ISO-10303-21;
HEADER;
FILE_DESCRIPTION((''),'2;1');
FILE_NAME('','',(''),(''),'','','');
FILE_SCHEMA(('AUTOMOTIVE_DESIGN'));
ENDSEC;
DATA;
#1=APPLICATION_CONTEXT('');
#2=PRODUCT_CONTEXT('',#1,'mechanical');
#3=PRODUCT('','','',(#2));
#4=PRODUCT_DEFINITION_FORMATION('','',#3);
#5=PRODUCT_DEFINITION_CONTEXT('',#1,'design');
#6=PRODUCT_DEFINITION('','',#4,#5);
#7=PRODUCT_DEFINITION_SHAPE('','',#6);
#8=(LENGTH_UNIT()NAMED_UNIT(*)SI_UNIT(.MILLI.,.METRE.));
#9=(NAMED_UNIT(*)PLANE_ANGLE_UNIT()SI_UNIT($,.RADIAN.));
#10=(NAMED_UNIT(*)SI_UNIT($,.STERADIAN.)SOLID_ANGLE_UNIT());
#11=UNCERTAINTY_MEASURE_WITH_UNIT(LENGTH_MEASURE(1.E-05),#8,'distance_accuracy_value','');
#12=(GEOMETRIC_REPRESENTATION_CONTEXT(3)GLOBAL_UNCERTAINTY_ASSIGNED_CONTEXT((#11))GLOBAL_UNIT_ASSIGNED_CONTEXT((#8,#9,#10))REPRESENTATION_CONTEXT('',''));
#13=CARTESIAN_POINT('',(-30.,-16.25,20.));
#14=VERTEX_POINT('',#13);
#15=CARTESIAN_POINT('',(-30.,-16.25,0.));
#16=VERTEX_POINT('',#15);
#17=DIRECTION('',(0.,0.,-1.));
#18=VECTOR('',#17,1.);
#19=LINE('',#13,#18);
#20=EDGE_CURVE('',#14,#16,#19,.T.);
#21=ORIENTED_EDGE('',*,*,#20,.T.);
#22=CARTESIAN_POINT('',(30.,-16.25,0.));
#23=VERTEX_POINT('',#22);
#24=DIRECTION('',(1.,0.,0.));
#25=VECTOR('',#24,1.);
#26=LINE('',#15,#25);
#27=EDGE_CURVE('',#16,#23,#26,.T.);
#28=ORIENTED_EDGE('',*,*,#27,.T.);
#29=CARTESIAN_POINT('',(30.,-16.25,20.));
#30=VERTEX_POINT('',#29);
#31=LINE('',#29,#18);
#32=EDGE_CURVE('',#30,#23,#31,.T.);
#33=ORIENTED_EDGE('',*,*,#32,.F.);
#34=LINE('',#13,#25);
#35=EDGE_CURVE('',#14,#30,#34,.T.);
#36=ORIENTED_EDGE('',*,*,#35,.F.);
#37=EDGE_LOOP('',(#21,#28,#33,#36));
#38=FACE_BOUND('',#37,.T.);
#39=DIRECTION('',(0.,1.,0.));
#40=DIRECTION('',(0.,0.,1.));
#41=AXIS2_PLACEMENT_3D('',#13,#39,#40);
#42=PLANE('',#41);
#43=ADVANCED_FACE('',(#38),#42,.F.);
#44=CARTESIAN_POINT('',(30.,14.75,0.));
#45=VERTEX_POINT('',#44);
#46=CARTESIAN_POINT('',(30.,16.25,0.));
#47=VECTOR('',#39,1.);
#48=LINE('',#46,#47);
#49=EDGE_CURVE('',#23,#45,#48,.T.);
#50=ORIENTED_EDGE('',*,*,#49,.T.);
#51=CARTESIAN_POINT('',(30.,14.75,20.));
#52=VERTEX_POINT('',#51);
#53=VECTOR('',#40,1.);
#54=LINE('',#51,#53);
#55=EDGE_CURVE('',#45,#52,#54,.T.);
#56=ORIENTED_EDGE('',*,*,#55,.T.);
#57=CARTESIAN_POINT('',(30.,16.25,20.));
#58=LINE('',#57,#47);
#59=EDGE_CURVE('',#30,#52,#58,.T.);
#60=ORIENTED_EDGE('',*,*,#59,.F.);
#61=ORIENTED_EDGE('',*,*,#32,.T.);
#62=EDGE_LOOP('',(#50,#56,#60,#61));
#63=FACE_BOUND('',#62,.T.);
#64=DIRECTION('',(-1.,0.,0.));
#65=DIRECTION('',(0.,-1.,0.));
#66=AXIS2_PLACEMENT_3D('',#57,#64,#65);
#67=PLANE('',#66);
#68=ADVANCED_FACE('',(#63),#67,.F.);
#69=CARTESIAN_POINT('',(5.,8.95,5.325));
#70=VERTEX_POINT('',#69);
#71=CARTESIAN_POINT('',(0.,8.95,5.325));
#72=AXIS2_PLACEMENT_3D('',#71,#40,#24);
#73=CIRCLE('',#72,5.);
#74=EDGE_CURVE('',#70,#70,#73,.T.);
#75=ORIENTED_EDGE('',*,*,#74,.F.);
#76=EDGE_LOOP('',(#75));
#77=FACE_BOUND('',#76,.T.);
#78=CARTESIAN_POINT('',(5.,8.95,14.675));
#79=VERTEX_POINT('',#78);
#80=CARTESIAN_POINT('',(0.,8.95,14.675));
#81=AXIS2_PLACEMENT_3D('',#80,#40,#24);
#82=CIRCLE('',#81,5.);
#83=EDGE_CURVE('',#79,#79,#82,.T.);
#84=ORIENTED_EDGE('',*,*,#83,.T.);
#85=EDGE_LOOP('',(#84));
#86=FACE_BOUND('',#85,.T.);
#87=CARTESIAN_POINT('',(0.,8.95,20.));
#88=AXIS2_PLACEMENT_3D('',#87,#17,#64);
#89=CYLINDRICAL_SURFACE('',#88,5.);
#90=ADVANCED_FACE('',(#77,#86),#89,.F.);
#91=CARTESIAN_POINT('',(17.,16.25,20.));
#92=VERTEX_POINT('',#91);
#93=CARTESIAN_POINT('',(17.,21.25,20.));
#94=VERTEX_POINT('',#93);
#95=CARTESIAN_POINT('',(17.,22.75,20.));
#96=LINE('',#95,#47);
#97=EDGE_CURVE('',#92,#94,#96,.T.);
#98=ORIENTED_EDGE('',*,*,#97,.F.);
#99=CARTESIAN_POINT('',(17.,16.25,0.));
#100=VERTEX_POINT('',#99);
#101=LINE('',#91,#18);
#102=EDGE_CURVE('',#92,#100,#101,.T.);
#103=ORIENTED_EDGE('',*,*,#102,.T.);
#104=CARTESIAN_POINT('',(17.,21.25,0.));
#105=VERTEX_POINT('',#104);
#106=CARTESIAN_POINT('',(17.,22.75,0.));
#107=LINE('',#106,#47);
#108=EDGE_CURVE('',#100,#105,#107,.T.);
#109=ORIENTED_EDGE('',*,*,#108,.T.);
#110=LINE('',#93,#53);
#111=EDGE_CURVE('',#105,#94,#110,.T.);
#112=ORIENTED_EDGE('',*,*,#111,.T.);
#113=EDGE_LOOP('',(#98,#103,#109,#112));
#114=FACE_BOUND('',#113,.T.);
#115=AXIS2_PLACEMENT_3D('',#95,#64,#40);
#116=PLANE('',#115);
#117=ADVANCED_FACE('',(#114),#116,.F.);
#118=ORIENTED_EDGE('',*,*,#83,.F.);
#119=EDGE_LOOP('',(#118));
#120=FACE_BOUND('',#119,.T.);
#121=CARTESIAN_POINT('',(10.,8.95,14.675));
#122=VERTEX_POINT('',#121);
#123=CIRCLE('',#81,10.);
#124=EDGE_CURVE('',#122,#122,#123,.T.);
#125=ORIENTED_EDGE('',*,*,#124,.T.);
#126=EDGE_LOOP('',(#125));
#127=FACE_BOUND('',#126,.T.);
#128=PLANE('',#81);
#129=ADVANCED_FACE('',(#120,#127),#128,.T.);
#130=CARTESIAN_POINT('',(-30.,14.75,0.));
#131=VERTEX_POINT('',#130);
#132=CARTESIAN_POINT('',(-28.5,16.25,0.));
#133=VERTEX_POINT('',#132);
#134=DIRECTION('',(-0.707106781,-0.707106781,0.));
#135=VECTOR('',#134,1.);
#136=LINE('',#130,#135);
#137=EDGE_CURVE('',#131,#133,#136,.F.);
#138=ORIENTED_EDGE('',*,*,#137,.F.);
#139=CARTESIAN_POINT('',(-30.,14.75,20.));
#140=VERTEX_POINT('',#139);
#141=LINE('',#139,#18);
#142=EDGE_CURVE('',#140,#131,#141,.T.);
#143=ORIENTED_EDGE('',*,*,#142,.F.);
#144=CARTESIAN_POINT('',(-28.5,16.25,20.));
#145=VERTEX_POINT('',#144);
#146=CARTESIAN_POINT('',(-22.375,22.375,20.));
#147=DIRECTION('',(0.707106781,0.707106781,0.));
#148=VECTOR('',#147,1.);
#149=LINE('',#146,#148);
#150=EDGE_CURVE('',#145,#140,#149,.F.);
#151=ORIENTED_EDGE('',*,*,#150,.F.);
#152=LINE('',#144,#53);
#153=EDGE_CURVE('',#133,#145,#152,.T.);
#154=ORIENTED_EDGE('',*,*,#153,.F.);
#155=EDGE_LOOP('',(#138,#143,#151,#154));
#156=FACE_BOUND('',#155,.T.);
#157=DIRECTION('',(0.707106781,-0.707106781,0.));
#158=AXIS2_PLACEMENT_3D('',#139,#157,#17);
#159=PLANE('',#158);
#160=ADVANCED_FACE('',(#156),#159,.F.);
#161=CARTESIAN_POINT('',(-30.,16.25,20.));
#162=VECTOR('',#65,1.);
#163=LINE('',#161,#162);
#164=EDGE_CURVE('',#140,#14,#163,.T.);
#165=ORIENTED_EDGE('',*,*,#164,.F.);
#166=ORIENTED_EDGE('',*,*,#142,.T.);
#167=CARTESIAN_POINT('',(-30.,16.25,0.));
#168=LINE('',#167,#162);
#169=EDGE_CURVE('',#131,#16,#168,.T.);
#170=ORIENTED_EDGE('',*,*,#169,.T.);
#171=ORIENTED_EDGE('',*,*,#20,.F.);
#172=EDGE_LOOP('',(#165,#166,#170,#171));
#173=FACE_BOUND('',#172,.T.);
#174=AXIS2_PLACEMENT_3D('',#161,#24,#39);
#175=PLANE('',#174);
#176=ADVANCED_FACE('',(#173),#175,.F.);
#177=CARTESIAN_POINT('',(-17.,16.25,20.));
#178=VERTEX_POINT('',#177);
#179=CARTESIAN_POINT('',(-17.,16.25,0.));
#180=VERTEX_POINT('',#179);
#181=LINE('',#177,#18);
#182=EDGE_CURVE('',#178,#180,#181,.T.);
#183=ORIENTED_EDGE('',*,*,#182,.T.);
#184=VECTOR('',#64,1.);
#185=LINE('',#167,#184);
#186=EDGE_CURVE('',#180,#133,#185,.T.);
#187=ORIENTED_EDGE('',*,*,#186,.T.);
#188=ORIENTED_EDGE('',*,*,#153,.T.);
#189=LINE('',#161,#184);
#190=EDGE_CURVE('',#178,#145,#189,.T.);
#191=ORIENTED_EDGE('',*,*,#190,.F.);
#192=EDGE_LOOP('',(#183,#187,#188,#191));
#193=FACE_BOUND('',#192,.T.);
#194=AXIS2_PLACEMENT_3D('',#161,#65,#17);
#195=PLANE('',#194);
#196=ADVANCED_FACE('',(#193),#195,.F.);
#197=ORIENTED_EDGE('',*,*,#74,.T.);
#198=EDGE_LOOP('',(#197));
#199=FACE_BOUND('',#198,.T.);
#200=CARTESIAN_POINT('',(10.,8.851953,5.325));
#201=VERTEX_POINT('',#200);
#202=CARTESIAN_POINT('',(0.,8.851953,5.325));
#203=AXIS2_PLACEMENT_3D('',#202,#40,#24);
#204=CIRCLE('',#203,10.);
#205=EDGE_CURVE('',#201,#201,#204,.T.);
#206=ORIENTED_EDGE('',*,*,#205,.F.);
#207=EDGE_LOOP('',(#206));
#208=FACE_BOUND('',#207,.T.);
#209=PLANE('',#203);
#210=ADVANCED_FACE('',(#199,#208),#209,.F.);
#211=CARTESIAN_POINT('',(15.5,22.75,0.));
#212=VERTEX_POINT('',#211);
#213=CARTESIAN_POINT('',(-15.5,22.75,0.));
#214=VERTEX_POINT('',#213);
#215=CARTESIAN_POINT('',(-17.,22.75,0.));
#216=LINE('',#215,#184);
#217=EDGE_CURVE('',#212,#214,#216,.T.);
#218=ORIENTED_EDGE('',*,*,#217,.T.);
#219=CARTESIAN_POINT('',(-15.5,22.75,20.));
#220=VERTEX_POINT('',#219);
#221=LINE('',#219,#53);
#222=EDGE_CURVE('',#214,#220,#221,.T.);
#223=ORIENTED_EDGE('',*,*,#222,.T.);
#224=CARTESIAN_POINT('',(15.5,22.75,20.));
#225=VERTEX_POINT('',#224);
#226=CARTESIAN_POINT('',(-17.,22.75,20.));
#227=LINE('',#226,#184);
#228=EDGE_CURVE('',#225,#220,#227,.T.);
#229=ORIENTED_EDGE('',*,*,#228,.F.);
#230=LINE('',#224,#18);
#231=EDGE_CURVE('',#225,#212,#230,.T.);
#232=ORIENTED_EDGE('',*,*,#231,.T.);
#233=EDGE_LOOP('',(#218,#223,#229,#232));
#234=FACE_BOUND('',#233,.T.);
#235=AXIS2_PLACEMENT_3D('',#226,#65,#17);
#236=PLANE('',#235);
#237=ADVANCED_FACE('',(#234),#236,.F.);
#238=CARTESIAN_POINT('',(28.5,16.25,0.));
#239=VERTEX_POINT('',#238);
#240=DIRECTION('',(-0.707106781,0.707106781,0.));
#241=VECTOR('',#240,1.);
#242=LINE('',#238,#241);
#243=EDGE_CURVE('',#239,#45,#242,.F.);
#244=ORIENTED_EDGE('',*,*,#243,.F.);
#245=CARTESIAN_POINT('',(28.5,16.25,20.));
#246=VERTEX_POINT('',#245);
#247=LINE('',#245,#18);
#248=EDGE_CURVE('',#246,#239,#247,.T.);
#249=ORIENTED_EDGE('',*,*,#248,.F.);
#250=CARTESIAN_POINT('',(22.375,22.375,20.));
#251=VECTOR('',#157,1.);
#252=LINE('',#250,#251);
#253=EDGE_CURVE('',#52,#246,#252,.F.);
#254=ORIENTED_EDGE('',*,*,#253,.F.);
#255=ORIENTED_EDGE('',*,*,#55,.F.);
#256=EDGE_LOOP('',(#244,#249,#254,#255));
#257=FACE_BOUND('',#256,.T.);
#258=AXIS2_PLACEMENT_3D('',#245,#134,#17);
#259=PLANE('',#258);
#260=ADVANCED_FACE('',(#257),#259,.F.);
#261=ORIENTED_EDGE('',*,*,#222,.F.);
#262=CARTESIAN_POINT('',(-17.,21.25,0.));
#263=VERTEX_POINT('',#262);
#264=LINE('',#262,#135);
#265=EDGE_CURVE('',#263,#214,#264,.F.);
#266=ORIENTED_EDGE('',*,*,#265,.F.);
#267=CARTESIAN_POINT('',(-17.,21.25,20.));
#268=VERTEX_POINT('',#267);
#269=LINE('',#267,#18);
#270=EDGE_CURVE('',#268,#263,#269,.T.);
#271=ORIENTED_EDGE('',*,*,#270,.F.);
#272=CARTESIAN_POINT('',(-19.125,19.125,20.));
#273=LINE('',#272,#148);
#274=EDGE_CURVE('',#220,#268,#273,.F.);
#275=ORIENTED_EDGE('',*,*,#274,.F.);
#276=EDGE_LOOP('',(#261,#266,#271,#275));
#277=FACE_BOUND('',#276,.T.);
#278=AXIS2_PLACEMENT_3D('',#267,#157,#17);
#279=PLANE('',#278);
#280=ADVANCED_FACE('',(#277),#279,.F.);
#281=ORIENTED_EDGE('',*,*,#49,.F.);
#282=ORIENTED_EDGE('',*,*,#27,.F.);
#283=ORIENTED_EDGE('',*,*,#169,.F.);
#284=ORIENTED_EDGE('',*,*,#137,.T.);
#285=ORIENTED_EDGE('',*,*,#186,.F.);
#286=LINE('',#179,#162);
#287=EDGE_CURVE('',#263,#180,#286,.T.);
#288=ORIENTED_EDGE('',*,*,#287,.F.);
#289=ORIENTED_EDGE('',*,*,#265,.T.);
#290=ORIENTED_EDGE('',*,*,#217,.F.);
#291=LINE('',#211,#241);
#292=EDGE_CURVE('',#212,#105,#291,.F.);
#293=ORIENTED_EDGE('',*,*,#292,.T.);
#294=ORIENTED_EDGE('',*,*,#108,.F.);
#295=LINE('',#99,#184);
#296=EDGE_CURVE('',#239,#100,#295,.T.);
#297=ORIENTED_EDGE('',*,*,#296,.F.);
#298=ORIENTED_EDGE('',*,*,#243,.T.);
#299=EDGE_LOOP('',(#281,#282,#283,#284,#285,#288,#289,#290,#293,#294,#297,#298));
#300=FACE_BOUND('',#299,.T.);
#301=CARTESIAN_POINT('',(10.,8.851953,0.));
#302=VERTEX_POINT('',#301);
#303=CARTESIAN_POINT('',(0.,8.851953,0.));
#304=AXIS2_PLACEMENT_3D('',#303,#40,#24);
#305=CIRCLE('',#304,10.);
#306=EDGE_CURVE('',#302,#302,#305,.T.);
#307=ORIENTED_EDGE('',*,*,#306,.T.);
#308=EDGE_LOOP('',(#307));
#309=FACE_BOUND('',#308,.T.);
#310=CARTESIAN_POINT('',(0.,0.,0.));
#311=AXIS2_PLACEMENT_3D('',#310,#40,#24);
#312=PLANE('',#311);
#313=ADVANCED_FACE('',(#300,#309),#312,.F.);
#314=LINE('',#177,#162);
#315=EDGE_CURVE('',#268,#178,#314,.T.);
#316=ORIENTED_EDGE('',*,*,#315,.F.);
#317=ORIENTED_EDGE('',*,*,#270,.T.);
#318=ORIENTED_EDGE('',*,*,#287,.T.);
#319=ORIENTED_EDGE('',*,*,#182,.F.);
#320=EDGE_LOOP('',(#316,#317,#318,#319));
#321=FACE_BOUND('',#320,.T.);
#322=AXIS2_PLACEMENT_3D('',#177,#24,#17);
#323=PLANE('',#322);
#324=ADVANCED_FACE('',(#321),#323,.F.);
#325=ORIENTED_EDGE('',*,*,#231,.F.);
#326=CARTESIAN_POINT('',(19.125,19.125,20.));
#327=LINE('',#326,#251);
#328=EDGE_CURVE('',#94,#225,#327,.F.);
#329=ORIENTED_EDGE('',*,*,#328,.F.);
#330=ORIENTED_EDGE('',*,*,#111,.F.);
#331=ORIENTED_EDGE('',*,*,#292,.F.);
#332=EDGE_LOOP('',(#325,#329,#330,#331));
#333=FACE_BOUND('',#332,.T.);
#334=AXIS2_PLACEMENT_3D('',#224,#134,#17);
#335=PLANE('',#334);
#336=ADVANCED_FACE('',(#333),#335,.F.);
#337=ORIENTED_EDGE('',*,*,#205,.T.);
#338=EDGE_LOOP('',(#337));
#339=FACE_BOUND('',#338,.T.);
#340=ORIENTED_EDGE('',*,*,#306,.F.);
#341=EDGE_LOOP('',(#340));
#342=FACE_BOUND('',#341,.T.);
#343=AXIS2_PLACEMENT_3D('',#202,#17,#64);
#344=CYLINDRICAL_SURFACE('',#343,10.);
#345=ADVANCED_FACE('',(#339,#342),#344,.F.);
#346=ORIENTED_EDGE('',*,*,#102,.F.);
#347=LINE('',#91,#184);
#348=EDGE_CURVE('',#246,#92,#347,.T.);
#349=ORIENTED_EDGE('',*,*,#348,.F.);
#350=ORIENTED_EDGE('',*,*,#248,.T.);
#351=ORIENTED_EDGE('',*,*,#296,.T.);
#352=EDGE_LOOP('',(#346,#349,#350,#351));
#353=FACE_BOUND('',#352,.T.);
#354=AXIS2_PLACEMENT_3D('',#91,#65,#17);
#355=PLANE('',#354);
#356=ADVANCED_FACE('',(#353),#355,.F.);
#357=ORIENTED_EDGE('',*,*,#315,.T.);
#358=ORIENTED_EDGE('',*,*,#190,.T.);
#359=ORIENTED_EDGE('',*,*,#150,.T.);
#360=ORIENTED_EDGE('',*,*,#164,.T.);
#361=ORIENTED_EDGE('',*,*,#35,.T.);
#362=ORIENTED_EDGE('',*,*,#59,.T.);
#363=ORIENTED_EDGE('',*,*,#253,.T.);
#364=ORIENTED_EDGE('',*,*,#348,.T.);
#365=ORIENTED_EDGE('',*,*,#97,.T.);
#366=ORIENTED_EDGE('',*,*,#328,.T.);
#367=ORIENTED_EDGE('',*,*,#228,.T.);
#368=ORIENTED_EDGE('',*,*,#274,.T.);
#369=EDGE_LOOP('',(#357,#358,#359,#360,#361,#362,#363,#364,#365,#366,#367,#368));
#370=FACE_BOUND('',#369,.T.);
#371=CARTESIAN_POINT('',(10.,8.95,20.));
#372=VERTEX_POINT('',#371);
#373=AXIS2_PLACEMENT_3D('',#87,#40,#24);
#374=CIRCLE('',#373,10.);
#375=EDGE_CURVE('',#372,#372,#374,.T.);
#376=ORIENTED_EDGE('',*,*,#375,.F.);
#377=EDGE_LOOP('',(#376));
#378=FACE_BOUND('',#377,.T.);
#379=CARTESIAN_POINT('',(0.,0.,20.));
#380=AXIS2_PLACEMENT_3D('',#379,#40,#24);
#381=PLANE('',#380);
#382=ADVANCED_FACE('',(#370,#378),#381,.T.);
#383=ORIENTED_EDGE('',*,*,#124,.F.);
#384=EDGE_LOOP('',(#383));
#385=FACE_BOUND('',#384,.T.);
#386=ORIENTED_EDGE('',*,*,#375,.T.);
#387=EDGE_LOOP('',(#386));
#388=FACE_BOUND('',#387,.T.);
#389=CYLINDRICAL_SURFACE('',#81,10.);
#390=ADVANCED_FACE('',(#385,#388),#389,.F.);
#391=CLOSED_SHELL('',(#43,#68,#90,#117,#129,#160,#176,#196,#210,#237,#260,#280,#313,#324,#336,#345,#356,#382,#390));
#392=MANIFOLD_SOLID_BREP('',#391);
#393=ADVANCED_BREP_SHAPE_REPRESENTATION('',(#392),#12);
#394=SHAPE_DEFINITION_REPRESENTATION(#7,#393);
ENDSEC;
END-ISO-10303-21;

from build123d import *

# Parameters (mm, degrees)
SALIENTE_EXTRUIR1_DEPTH = 20
CROQUIS2_R              = 5
CORTAR_EXTRUIR1_DEPTH   = 21
CHAFL_N1_SIZE           = 1.5
CROQUIS3_R              = 10
CORTAR_EXTRUIR2_DEPTH   = 5.325
CROQUIS5_R              = 10
CORTAR_EXTRUIR3_DEPTH   = 5.325


with BuildPart() as part:
    # Croquis1 → Saliente-Extruir1 (new body)
    with BuildSketch(Plane.XY):
        Polygon((-30, 16.25), (-17, 16.25), (-17, 22.75), (17, 22.75), (17, 16.25), (30, 16.25), (30, -16.25), (-30, -16.25), align=None)
    extrude(amount=SALIENTE_EXTRUIR1_DEPTH)

    # Croquis2 → Cortar-Extruir1 (cut, through all)
    with BuildSketch(Plane.XY):
        with Locations((0, 8.95)):
            Circle(CROQUIS2_R)
    extrude(amount=CORTAR_EXTRUIR1_DEPTH, mode=Mode.SUBTRACT)

    # Chaflán1
    chafl_n1_edges = [part.edges().sort_by_distance(p)[0] for p in [
        (-30, 16.25, 10),
        (-17, 22.75, 10),
        (17, 22.75, 10),
        (30, 16.25, 10),
    ]]
    chamfer(chafl_n1_edges, length=CHAFL_N1_SIZE)

    # Croquis3 → Cortar-Extruir2 (cut)
    with BuildSketch(Plane.XY):
        with Locations((0, 8.851953405)):
            Circle(CROQUIS3_R)
    extrude(amount=CORTAR_EXTRUIR2_DEPTH, mode=Mode.SUBTRACT)

    # Croquis5 → Cortar-Extruir3 (cut)
    with BuildSketch(Plane.XY.offset(20)):
        with Locations((0, 8.95)):
            Circle(CROQUIS5_R)
    extrude(amount=-CORTAR_EXTRUIR3_DEPTH, mode=Mode.SUBTRACT)


solid = part.part
